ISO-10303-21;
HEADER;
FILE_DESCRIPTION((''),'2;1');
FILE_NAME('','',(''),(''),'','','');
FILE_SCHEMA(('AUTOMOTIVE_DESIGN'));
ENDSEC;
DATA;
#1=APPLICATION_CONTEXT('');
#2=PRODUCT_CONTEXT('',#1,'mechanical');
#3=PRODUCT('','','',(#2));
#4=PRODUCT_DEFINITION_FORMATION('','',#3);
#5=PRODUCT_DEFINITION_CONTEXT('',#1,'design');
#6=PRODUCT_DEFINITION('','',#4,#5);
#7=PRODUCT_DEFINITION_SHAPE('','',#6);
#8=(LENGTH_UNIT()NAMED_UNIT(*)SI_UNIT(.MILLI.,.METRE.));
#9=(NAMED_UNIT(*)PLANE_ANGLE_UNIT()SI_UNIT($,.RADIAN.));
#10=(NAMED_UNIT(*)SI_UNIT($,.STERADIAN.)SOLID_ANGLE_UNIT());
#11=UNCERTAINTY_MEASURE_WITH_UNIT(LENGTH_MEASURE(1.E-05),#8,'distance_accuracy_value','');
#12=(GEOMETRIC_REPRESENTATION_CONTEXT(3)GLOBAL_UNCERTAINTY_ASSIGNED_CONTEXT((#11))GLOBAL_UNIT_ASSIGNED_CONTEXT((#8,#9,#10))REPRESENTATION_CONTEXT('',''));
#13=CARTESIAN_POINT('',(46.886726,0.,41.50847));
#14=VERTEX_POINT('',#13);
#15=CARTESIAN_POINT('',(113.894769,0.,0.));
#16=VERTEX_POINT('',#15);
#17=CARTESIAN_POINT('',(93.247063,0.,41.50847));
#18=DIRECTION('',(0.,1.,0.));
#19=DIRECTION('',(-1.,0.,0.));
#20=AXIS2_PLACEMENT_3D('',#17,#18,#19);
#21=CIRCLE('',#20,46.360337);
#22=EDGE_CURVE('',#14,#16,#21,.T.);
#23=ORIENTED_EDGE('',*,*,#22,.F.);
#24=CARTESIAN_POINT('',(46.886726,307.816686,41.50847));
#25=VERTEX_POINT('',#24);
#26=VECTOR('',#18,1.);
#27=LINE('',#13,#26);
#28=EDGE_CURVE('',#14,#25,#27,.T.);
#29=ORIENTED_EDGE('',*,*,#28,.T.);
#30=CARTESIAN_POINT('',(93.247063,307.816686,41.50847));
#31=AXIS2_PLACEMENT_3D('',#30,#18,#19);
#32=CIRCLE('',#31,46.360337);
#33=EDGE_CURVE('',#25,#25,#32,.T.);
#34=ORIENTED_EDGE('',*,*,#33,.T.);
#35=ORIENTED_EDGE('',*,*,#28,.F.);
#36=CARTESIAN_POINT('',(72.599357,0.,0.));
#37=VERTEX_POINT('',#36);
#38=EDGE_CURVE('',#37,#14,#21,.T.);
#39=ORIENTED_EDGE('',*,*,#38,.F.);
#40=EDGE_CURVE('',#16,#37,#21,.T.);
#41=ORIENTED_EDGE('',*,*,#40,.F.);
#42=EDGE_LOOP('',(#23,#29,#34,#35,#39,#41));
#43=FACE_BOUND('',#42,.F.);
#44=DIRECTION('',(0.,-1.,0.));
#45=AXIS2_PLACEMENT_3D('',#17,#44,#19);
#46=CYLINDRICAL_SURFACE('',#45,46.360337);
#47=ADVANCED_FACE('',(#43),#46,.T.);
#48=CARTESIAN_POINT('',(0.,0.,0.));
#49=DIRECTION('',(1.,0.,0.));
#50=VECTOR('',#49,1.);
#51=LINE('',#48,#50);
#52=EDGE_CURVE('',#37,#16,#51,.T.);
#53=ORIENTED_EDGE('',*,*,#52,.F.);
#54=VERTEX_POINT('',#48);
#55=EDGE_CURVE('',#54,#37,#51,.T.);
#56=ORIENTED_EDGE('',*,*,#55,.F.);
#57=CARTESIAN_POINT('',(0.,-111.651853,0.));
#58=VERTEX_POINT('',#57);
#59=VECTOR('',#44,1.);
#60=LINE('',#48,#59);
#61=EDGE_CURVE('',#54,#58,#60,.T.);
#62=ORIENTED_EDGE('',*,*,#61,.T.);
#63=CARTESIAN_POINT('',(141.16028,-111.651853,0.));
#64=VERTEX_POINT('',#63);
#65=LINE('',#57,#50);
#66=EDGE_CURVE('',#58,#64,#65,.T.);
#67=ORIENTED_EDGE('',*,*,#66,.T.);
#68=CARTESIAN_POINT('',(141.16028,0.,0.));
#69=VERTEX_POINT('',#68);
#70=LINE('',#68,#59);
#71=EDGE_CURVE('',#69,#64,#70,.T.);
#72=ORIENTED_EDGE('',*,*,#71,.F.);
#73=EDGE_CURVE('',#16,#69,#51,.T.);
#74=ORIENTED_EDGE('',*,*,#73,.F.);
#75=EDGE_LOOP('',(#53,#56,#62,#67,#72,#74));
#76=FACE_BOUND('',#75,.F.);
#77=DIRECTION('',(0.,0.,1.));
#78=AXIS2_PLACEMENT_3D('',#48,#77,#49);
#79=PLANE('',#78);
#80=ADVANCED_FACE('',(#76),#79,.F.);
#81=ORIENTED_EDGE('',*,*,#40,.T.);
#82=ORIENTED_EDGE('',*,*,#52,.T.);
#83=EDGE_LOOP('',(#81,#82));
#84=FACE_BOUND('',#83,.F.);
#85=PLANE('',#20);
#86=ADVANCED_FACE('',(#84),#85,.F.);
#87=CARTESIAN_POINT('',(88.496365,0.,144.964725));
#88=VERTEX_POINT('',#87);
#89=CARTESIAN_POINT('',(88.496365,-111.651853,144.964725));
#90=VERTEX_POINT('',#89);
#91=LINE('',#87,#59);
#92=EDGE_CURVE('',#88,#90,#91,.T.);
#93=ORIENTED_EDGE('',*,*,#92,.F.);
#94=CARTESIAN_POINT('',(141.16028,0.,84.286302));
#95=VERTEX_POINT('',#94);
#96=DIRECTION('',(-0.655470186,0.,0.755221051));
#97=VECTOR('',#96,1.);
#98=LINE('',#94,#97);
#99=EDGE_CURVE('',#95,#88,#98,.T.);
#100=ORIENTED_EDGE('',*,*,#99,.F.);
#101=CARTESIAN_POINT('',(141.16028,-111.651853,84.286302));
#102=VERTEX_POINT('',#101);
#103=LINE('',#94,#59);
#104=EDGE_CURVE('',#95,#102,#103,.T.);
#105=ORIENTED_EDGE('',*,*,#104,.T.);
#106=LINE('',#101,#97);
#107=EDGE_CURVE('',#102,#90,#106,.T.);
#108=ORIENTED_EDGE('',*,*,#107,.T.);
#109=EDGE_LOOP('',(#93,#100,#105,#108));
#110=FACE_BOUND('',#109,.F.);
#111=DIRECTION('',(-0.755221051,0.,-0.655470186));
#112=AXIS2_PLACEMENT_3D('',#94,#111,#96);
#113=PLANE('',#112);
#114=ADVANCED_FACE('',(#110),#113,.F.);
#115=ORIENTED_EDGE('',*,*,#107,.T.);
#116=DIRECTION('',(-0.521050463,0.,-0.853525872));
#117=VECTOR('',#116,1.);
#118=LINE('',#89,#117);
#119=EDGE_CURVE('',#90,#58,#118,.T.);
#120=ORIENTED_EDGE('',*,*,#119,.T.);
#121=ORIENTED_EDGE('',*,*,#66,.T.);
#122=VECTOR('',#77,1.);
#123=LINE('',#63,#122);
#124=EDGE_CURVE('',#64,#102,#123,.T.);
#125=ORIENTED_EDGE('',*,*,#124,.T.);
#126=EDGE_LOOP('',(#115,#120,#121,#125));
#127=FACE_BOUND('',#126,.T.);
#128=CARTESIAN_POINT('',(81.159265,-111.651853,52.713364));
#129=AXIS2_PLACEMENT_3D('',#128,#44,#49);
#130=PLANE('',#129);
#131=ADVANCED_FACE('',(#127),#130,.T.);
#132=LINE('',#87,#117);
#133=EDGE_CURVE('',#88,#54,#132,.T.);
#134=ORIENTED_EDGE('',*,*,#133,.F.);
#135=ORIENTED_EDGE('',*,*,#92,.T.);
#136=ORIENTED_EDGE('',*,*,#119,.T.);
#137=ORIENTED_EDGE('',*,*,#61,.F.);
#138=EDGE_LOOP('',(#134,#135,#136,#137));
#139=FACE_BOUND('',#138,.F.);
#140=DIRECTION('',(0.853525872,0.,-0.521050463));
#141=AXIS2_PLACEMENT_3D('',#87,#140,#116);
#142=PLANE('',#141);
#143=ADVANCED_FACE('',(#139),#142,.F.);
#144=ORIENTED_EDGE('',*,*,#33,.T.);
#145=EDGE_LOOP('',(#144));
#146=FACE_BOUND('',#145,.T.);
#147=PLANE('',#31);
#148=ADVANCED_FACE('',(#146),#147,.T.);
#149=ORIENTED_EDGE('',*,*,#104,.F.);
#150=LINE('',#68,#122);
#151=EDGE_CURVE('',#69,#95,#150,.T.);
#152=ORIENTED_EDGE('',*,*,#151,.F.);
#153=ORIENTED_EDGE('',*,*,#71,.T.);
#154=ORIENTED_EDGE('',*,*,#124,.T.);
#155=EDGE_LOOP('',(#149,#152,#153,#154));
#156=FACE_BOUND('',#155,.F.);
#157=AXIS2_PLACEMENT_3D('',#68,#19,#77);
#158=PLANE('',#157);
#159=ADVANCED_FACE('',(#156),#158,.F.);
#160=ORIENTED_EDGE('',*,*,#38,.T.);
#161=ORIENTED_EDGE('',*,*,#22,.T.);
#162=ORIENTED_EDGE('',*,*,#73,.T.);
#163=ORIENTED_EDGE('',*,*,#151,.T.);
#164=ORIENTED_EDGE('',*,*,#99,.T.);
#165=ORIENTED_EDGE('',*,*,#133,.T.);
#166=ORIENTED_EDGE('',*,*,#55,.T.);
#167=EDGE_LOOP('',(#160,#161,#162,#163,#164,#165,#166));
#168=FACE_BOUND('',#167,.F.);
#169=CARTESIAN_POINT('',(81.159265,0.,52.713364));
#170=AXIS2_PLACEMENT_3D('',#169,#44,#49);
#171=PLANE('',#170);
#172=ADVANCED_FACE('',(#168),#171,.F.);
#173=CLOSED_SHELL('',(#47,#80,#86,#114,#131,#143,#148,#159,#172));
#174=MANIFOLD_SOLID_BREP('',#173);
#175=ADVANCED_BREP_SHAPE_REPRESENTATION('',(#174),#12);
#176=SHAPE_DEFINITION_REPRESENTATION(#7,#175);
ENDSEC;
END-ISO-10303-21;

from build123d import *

# Parameters (mm, degrees)
F1_DEPTH = 111.651853
F2_R     = 46.360337
F3_DEPTH = 307.816686


with BuildPart() as f1:
    # F0 (on Front) → F1 (new body)
    with BuildSketch(Plane.XZ):
        Polygon((0, 0), (141.16028, 0), (141.16028, 84.286302), (88.496365, 144.964725), align=None)
    extrude(amount=F1_DEPTH)

    # F2 (on face) → F3 (join)
    with BuildSketch(Plane(origin=(0, 0, 0), x_dir=(-1, 0, 0), z_dir=(0, 1, 0))):
        with Locations((-93.247063, 41.50847)):
            Circle(F2_R)
    extrude(amount=F3_DEPTH)


solid = f1.part
